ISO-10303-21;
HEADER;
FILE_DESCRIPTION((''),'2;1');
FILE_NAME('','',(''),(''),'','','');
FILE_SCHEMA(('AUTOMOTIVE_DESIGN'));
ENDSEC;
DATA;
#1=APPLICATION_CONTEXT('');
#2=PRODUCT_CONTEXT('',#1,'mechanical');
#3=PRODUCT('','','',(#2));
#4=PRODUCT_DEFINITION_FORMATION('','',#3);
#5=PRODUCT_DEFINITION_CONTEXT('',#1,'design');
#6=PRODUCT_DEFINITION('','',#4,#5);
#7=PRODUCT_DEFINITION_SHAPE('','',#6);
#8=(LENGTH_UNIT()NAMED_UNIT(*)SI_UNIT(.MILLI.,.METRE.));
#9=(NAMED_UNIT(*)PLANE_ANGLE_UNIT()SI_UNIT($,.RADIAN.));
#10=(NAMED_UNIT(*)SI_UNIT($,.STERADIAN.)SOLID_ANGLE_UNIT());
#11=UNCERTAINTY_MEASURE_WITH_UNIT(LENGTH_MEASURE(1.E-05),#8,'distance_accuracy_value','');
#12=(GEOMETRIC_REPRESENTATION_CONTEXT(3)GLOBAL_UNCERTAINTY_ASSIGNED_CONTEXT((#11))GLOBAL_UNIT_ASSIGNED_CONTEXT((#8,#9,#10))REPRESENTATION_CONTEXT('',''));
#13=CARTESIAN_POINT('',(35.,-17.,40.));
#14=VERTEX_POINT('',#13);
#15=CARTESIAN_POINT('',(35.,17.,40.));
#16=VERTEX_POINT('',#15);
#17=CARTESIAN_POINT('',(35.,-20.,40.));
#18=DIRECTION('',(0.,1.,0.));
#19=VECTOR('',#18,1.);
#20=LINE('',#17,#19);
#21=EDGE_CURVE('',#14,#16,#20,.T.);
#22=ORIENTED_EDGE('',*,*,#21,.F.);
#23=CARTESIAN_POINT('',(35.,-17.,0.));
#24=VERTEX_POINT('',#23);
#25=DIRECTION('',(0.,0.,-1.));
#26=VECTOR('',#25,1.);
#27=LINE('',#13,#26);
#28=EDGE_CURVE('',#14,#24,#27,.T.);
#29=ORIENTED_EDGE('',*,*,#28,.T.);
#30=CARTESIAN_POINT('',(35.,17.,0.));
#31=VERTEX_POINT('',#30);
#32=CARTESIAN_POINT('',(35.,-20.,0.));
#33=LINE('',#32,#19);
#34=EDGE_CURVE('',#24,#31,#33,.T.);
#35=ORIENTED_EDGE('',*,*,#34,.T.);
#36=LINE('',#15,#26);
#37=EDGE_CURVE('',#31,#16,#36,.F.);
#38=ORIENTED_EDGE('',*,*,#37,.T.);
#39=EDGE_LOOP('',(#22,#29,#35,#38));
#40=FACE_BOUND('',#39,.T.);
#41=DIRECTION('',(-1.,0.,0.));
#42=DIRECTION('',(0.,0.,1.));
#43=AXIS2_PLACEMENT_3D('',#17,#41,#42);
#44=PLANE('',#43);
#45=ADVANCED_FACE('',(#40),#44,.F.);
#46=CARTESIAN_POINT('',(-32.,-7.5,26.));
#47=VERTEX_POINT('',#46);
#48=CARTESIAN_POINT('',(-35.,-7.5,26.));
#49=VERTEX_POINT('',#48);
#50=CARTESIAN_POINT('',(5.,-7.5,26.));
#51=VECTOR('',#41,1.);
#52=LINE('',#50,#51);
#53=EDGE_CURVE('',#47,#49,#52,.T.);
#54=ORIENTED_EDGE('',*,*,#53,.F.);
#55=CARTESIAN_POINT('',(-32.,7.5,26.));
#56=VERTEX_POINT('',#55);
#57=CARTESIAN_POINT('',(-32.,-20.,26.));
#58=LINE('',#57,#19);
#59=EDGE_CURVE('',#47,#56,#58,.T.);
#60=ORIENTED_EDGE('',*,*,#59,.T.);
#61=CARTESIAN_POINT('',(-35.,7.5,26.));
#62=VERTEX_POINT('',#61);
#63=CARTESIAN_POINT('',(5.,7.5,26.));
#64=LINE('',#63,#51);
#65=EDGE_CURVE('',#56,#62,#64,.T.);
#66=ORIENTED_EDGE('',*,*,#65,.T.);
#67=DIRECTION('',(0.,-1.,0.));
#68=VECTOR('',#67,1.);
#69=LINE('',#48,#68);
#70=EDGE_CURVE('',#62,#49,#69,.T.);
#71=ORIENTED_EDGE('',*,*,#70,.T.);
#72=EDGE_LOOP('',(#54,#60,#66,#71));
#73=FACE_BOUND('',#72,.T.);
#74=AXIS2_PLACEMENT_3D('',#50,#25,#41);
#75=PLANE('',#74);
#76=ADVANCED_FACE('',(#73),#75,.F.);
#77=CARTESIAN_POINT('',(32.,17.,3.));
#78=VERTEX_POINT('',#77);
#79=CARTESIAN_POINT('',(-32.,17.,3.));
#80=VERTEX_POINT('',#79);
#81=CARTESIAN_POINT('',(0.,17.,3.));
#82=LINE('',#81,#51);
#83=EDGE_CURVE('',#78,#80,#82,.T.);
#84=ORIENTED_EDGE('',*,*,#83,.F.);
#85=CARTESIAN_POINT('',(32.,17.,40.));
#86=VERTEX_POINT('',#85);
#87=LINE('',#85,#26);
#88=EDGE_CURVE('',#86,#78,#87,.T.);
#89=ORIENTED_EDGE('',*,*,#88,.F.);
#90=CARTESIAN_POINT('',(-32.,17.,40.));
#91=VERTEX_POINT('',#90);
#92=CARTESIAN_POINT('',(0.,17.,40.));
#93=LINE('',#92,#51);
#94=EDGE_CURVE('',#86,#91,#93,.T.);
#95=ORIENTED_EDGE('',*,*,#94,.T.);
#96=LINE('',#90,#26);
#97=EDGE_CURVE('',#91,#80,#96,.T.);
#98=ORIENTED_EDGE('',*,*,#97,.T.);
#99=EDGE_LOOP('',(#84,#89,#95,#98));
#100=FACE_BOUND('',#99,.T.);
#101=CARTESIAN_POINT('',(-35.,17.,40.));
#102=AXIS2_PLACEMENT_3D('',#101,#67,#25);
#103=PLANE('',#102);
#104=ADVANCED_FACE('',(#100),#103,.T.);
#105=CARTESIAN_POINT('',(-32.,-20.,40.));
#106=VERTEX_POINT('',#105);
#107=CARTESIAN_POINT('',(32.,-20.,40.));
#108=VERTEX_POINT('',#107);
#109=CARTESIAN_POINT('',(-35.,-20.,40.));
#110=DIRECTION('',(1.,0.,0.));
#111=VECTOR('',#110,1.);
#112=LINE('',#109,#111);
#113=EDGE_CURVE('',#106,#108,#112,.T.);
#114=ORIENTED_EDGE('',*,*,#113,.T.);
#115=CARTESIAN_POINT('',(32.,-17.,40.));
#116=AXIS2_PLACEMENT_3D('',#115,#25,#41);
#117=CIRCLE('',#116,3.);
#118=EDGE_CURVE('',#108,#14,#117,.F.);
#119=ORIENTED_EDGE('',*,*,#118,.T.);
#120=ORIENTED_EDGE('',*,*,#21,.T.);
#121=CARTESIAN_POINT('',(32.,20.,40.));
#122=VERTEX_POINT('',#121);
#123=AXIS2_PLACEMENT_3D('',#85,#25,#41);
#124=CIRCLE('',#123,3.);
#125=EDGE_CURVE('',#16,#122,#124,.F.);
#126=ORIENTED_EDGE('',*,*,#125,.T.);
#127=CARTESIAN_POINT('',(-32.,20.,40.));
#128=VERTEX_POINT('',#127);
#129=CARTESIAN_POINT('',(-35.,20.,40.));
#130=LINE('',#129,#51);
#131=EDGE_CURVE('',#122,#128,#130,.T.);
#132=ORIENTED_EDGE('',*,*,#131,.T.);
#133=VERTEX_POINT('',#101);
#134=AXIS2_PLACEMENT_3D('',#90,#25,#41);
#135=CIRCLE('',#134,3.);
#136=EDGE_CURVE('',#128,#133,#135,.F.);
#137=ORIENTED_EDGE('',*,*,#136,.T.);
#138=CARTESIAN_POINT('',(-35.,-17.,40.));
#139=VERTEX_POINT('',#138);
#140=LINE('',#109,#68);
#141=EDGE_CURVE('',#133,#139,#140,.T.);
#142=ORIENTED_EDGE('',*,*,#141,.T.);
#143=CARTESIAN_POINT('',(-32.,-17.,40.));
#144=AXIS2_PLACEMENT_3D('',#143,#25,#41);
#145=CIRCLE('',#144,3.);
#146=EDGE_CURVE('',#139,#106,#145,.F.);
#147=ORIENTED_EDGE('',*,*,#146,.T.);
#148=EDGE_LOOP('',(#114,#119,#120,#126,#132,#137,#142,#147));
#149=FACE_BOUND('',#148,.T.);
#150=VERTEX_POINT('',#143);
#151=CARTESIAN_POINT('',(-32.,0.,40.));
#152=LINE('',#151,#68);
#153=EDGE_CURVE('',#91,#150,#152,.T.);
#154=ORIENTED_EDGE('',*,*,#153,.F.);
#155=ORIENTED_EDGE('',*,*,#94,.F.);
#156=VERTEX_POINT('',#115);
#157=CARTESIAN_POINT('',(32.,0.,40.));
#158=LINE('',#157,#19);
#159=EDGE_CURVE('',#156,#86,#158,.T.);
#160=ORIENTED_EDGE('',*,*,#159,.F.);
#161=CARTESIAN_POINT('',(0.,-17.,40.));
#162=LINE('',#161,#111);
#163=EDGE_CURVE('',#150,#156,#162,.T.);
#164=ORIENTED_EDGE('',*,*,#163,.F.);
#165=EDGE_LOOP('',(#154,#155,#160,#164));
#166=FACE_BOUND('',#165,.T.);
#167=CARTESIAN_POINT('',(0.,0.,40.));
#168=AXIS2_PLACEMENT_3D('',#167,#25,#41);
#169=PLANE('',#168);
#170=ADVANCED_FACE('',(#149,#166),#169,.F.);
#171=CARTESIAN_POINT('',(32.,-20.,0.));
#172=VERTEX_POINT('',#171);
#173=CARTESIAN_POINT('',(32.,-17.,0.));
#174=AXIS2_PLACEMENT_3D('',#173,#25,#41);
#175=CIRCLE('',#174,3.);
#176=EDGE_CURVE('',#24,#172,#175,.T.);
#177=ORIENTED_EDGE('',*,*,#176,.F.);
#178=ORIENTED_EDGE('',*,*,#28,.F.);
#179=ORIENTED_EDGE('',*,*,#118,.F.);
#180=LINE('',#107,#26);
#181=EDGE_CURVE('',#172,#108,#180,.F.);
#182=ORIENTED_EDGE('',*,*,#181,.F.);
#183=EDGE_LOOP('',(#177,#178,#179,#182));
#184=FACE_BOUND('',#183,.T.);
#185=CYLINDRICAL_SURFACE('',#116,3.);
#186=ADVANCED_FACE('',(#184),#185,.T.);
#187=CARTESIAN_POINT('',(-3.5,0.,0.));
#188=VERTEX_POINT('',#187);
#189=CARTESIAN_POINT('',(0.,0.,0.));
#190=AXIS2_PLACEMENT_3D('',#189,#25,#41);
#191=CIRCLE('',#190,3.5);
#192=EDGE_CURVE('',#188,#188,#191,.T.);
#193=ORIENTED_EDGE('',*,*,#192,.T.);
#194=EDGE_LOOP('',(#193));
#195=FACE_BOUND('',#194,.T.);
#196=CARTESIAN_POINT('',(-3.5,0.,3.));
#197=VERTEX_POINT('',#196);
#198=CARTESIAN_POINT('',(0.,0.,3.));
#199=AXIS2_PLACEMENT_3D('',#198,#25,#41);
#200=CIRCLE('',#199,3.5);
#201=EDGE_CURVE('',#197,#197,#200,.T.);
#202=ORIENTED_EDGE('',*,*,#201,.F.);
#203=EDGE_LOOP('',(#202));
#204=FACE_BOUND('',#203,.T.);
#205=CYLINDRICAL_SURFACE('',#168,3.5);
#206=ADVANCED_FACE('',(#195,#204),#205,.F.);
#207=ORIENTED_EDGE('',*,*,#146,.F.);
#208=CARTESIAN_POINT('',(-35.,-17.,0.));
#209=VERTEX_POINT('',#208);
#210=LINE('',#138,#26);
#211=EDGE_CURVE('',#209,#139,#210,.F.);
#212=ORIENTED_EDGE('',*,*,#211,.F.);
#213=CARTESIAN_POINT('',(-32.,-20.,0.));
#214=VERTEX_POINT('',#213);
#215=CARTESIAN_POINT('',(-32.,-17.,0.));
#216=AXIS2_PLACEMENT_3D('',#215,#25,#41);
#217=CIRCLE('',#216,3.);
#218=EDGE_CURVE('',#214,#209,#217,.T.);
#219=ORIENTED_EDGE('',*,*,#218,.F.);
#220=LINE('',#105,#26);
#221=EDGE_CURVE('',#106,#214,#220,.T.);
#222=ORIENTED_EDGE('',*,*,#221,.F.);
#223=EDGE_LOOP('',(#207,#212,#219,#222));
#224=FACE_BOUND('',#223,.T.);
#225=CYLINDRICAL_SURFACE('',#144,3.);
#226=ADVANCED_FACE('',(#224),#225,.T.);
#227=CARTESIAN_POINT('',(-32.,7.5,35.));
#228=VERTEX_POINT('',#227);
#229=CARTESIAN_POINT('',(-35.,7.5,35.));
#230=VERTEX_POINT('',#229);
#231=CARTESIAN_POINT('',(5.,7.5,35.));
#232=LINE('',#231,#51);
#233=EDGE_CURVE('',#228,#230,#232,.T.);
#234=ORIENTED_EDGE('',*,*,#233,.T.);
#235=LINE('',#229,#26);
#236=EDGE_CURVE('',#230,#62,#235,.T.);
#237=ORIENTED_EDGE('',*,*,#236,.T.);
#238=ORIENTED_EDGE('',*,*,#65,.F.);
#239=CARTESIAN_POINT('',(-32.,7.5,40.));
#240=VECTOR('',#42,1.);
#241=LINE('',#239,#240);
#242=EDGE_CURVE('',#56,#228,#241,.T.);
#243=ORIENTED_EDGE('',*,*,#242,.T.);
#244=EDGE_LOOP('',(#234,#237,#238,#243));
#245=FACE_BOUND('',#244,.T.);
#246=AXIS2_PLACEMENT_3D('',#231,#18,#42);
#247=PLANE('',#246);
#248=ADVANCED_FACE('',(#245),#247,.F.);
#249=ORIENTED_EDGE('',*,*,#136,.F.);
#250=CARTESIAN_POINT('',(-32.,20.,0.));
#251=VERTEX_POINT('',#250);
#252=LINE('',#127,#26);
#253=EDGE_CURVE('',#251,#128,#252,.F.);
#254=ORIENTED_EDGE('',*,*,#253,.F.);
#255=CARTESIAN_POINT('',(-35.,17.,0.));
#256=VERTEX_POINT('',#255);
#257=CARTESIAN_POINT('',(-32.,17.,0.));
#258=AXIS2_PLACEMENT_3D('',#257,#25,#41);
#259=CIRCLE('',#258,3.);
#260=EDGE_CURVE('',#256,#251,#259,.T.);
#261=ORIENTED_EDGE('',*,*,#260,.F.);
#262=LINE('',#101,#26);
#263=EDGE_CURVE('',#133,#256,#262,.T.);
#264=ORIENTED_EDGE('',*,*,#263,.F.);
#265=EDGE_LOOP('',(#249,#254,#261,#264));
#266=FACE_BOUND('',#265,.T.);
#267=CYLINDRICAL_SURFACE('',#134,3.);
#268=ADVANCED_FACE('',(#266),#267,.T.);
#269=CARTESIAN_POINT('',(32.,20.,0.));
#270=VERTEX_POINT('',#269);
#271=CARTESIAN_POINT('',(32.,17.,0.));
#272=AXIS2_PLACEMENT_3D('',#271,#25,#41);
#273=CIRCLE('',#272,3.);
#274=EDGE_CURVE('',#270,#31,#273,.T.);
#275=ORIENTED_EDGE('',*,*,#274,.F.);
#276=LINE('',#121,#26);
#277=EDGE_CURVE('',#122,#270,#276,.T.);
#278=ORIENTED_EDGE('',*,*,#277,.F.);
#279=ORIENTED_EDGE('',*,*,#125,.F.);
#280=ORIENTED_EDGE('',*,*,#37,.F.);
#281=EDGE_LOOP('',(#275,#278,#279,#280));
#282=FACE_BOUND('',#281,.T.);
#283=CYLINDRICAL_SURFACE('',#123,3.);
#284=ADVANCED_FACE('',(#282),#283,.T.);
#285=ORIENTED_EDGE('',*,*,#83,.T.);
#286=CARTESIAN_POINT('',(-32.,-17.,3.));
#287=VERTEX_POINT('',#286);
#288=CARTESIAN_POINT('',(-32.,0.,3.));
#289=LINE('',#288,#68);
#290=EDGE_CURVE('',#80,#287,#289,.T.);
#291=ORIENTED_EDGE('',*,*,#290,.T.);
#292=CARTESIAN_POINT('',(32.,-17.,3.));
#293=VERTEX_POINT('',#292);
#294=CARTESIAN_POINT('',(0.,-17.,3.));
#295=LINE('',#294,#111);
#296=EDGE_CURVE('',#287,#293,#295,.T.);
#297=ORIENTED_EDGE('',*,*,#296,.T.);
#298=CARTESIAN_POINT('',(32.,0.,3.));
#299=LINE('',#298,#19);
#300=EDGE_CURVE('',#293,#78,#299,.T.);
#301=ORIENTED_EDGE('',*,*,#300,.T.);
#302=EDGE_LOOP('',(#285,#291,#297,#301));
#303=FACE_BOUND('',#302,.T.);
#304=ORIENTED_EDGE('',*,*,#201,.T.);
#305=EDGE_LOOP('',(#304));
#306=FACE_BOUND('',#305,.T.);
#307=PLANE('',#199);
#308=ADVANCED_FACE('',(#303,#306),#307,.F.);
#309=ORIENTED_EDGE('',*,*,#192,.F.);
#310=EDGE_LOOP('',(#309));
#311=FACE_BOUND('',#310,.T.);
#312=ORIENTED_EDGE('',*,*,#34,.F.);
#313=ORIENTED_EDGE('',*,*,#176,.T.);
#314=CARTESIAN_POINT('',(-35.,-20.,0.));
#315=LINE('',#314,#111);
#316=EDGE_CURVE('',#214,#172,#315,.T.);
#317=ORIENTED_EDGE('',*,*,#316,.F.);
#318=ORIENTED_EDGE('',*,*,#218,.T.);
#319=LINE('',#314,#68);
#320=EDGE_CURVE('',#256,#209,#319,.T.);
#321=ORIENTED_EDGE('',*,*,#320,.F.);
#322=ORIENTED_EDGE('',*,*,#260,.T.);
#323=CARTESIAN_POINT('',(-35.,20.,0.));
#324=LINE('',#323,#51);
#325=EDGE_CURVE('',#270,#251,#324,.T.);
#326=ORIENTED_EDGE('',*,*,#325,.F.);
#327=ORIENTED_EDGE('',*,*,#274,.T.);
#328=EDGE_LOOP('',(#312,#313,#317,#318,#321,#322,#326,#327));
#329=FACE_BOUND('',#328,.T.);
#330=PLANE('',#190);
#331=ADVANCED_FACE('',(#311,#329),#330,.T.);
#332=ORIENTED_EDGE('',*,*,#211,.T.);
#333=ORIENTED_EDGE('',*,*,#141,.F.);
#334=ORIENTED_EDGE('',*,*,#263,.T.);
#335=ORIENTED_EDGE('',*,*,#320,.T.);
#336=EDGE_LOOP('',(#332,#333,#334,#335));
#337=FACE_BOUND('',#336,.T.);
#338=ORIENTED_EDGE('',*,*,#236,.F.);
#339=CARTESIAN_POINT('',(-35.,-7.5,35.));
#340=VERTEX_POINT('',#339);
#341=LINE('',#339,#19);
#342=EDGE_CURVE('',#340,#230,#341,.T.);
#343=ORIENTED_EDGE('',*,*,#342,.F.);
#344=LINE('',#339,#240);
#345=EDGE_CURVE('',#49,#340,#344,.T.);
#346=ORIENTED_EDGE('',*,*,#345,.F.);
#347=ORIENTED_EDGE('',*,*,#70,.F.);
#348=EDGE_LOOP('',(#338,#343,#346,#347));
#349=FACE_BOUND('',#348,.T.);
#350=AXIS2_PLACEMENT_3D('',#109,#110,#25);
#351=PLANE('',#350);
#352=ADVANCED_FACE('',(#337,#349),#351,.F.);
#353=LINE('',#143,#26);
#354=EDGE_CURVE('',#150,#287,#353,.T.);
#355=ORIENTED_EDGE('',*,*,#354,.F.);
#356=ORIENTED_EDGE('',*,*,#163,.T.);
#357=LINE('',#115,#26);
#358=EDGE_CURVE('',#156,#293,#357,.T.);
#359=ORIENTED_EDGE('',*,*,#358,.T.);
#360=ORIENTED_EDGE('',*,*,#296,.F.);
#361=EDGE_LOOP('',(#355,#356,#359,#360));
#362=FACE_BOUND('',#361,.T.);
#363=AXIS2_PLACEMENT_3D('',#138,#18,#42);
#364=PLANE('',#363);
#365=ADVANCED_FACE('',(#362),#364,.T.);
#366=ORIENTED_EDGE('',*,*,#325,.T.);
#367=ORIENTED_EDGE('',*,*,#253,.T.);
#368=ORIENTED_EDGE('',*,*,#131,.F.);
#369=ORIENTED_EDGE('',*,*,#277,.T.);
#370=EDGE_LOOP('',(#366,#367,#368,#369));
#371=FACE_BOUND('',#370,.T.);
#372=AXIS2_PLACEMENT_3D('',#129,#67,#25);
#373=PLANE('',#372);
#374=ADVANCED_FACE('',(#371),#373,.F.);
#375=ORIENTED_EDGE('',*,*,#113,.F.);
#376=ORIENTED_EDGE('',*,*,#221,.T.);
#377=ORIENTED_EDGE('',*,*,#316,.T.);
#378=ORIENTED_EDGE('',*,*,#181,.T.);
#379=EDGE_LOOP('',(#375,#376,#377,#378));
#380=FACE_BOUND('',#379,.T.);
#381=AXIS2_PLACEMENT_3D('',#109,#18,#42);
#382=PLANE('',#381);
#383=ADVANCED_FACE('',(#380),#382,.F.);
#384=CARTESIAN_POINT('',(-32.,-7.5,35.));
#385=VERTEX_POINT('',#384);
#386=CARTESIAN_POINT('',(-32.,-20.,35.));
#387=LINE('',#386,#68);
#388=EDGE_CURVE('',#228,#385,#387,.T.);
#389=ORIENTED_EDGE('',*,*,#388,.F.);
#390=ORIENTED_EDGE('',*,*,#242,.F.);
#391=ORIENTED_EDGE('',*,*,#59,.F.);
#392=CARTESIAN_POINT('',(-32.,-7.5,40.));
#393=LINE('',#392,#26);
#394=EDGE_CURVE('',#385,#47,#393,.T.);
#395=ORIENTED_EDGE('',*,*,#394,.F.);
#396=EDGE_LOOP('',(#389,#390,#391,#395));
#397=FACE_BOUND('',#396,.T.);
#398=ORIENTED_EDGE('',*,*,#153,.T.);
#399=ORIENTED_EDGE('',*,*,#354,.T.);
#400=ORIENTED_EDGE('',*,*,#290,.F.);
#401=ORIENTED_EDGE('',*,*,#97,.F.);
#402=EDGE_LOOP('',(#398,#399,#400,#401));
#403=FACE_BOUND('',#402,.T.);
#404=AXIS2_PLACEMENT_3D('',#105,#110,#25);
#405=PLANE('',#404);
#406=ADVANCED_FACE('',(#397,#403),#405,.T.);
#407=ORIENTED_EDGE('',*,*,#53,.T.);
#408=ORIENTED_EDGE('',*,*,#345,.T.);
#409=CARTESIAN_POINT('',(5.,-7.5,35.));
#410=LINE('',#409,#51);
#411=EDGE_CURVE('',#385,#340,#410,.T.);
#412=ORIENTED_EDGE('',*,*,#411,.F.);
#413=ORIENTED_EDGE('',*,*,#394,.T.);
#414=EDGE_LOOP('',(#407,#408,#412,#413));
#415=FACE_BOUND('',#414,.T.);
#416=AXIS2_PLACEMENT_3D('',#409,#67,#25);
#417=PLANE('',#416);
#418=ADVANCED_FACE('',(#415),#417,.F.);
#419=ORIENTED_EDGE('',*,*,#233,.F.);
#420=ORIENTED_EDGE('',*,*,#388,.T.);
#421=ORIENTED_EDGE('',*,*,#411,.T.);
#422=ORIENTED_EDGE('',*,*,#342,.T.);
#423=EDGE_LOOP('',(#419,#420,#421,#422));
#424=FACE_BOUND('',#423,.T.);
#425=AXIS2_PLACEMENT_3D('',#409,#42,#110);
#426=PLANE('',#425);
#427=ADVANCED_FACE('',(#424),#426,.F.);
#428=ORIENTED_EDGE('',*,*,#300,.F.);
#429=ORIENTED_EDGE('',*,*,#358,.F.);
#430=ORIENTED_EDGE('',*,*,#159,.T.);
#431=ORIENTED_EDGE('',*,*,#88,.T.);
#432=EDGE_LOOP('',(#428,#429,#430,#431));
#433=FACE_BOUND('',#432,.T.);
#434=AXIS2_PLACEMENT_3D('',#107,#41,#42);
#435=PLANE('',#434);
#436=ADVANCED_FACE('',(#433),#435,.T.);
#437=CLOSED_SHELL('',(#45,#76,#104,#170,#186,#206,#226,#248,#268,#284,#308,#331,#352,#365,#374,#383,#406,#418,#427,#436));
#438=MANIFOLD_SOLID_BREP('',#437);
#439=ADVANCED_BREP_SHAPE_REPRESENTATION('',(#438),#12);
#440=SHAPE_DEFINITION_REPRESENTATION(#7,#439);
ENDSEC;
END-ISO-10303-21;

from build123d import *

# Parameters (mm, degrees)
SKETCH1_W           = 70
SKETCH1_H           = 40
BOSS_EXTRUDE2_DEPTH = 40
SHELL2_T            = -3
SKETCH2_R           = 3.5
CUT_EXTRUDE1_DEPTH  = 40
SKETCH5_W           = 9
SKETCH5_H           = 15
CUT_EXTRUDE2_DEPTH  = 40
FILLET1_R           = 3


with BuildPart() as part:
    # Sketch1 → Boss-Extrude2 (new body)
    with BuildSketch(Plane.XY):
        Rectangle(SKETCH1_W, SKETCH1_H)
    extrude(amount=BOSS_EXTRUDE2_DEPTH)

    # Shell2
    shell2_openings = [part.faces().sort_by_distance(p)[0] for p in [
        (0, 0, 40),
    ]]
    offset(amount=SHELL2_T, openings=shell2_openings, kind=Kind.INTERSECTION)

    # Sketch2 → Cut-Extrude1 (cut)
    with BuildSketch(Plane(origin=(0, 0, 0), x_dir=(-1, 0, 0), z_dir=(0, 0, -1))):
        Circle(SKETCH2_R)
    extrude(amount=-CUT_EXTRUDE1_DEPTH, mode=Mode.SUBTRACT)

    # Sketch5 → Cut-Extrude2 (cut)
    with BuildSketch(Plane.ZY.offset(35)):
        with Locations((30.5, 0)):
            Rectangle(SKETCH5_W, SKETCH5_H)
    extrude(amount=-CUT_EXTRUDE2_DEPTH, mode=Mode.SUBTRACT)

    # Fillet1
    fillet1_edges = [part.edges().sort_by_distance(p)[0] for p in [
        (35, -20, 20),
        (-35, -20, 20),
        (-35, 20, 20),
        (35, 20, 20),
    ]]
    fillet(fillet1_edges, radius=FILLET1_R)


solid = part.part
